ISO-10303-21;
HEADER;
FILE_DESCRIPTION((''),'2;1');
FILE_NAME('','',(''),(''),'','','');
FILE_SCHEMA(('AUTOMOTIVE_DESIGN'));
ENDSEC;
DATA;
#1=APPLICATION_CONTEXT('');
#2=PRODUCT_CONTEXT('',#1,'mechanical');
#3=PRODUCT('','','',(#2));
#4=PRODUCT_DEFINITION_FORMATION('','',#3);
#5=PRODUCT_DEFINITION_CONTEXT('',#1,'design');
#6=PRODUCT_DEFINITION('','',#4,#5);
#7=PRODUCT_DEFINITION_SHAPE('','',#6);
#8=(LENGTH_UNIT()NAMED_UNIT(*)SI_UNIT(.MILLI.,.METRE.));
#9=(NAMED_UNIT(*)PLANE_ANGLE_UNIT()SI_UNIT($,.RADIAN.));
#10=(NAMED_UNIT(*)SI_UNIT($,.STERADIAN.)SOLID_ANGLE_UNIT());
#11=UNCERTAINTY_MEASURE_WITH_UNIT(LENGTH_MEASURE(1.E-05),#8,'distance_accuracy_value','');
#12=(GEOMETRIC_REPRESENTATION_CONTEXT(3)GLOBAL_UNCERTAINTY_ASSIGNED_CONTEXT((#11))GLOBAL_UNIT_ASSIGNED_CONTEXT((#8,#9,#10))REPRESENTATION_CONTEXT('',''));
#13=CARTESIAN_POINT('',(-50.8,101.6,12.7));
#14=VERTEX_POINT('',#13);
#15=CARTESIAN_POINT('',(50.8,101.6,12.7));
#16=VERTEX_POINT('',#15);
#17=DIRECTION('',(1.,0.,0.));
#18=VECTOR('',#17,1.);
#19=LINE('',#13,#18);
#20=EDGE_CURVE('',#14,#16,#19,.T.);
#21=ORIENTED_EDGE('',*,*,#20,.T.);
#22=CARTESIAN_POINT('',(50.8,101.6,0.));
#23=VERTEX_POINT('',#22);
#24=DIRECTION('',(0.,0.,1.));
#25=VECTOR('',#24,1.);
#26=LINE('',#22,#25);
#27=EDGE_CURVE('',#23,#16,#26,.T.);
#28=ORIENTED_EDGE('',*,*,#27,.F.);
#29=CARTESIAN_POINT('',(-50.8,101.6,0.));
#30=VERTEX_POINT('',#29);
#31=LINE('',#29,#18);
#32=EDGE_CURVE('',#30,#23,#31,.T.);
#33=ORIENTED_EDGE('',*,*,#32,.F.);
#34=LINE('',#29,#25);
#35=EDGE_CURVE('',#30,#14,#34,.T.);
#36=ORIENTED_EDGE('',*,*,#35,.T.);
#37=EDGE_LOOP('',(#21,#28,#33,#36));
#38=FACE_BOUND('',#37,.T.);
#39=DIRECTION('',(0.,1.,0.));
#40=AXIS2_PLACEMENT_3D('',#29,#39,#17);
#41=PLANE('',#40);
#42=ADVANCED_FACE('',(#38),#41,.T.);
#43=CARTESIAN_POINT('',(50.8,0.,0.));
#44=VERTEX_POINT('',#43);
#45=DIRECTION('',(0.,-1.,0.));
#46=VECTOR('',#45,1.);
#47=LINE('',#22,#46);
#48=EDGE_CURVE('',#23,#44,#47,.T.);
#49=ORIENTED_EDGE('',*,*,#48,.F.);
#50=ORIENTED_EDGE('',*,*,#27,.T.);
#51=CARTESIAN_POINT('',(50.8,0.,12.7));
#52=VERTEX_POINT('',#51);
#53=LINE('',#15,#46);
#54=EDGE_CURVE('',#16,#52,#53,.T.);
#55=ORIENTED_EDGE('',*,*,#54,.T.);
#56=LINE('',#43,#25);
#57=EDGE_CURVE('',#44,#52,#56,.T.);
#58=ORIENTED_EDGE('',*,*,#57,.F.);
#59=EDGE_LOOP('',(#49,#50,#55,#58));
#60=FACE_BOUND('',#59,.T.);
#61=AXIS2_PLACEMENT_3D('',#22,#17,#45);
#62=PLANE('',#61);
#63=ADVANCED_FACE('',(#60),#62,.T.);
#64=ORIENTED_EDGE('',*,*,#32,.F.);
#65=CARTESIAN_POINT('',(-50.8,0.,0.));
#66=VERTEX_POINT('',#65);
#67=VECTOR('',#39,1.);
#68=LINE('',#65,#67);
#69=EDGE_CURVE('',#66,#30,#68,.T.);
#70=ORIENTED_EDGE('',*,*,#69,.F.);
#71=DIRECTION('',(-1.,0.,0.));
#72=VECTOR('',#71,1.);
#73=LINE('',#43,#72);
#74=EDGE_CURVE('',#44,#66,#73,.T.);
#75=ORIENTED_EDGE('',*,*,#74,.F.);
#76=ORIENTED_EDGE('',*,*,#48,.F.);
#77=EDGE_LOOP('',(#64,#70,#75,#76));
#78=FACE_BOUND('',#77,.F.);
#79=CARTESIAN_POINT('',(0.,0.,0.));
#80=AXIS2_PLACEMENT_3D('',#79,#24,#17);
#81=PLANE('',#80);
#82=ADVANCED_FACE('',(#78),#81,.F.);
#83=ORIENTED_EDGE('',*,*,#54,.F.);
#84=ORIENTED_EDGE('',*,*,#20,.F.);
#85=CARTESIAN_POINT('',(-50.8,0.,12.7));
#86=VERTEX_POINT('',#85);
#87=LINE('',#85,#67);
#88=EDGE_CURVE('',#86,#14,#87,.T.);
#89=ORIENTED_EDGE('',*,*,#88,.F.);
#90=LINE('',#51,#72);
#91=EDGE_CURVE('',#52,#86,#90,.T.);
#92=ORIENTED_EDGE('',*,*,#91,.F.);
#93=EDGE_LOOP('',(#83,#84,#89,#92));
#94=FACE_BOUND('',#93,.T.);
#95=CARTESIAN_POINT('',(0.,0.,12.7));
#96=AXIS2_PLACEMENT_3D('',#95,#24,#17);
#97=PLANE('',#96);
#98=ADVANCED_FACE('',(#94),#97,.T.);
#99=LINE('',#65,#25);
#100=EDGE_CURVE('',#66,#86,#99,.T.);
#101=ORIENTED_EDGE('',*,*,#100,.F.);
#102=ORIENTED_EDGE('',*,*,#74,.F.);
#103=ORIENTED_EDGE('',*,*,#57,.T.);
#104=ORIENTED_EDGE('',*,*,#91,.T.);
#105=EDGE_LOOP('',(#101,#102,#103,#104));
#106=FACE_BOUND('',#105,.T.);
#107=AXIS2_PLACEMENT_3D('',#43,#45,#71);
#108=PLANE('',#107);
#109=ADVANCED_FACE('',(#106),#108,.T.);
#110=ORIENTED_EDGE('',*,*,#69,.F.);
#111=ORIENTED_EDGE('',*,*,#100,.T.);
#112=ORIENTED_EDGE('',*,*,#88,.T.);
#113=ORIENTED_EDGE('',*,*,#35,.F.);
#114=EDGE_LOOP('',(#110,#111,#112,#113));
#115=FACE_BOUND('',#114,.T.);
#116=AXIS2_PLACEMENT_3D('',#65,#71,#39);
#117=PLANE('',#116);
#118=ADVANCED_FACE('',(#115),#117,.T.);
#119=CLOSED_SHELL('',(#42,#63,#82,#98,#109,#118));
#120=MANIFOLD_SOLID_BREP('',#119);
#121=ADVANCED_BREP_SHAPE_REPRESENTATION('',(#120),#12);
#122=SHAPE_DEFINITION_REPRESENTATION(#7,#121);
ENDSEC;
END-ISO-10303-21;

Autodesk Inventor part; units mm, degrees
ref_plane "YZ Plane" through (0, 0, 0) normal (1, 0, 0) x (0, 1, 0)
ref_plane "XZ Plane" through (0, 0, 0) normal (0, 1, 0) x (-1, 0, 0)
ref_plane "XY Plane" through (0, 0, 0) normal (0, 0, 1) x (1, 0, 0)
sketch "Sketch1" plane through (0, 0, 0) normal (0, 0, 1) x (1, 0, 0)
  line L0 (-50.8, 101.6) -> (50.8, 101.6)
  line L1 (50.8, 101.6) -> (50.8, 0)
  line L2 (50.8, 0) -> (-50.8, 0)
  line L3 (-50.8, 0) -> (-50.8, 101.6)
  point P0 (0, 0)
  dimension "d0" = 101.6
  dimension "d1" = 101.6
  dimension "d2" = 0
  dimension "d3" = 50.8
extrude "Extrusion1" add sketch "Sketch1" along normal blind 12.7
properties part number "mid_plate_support"
